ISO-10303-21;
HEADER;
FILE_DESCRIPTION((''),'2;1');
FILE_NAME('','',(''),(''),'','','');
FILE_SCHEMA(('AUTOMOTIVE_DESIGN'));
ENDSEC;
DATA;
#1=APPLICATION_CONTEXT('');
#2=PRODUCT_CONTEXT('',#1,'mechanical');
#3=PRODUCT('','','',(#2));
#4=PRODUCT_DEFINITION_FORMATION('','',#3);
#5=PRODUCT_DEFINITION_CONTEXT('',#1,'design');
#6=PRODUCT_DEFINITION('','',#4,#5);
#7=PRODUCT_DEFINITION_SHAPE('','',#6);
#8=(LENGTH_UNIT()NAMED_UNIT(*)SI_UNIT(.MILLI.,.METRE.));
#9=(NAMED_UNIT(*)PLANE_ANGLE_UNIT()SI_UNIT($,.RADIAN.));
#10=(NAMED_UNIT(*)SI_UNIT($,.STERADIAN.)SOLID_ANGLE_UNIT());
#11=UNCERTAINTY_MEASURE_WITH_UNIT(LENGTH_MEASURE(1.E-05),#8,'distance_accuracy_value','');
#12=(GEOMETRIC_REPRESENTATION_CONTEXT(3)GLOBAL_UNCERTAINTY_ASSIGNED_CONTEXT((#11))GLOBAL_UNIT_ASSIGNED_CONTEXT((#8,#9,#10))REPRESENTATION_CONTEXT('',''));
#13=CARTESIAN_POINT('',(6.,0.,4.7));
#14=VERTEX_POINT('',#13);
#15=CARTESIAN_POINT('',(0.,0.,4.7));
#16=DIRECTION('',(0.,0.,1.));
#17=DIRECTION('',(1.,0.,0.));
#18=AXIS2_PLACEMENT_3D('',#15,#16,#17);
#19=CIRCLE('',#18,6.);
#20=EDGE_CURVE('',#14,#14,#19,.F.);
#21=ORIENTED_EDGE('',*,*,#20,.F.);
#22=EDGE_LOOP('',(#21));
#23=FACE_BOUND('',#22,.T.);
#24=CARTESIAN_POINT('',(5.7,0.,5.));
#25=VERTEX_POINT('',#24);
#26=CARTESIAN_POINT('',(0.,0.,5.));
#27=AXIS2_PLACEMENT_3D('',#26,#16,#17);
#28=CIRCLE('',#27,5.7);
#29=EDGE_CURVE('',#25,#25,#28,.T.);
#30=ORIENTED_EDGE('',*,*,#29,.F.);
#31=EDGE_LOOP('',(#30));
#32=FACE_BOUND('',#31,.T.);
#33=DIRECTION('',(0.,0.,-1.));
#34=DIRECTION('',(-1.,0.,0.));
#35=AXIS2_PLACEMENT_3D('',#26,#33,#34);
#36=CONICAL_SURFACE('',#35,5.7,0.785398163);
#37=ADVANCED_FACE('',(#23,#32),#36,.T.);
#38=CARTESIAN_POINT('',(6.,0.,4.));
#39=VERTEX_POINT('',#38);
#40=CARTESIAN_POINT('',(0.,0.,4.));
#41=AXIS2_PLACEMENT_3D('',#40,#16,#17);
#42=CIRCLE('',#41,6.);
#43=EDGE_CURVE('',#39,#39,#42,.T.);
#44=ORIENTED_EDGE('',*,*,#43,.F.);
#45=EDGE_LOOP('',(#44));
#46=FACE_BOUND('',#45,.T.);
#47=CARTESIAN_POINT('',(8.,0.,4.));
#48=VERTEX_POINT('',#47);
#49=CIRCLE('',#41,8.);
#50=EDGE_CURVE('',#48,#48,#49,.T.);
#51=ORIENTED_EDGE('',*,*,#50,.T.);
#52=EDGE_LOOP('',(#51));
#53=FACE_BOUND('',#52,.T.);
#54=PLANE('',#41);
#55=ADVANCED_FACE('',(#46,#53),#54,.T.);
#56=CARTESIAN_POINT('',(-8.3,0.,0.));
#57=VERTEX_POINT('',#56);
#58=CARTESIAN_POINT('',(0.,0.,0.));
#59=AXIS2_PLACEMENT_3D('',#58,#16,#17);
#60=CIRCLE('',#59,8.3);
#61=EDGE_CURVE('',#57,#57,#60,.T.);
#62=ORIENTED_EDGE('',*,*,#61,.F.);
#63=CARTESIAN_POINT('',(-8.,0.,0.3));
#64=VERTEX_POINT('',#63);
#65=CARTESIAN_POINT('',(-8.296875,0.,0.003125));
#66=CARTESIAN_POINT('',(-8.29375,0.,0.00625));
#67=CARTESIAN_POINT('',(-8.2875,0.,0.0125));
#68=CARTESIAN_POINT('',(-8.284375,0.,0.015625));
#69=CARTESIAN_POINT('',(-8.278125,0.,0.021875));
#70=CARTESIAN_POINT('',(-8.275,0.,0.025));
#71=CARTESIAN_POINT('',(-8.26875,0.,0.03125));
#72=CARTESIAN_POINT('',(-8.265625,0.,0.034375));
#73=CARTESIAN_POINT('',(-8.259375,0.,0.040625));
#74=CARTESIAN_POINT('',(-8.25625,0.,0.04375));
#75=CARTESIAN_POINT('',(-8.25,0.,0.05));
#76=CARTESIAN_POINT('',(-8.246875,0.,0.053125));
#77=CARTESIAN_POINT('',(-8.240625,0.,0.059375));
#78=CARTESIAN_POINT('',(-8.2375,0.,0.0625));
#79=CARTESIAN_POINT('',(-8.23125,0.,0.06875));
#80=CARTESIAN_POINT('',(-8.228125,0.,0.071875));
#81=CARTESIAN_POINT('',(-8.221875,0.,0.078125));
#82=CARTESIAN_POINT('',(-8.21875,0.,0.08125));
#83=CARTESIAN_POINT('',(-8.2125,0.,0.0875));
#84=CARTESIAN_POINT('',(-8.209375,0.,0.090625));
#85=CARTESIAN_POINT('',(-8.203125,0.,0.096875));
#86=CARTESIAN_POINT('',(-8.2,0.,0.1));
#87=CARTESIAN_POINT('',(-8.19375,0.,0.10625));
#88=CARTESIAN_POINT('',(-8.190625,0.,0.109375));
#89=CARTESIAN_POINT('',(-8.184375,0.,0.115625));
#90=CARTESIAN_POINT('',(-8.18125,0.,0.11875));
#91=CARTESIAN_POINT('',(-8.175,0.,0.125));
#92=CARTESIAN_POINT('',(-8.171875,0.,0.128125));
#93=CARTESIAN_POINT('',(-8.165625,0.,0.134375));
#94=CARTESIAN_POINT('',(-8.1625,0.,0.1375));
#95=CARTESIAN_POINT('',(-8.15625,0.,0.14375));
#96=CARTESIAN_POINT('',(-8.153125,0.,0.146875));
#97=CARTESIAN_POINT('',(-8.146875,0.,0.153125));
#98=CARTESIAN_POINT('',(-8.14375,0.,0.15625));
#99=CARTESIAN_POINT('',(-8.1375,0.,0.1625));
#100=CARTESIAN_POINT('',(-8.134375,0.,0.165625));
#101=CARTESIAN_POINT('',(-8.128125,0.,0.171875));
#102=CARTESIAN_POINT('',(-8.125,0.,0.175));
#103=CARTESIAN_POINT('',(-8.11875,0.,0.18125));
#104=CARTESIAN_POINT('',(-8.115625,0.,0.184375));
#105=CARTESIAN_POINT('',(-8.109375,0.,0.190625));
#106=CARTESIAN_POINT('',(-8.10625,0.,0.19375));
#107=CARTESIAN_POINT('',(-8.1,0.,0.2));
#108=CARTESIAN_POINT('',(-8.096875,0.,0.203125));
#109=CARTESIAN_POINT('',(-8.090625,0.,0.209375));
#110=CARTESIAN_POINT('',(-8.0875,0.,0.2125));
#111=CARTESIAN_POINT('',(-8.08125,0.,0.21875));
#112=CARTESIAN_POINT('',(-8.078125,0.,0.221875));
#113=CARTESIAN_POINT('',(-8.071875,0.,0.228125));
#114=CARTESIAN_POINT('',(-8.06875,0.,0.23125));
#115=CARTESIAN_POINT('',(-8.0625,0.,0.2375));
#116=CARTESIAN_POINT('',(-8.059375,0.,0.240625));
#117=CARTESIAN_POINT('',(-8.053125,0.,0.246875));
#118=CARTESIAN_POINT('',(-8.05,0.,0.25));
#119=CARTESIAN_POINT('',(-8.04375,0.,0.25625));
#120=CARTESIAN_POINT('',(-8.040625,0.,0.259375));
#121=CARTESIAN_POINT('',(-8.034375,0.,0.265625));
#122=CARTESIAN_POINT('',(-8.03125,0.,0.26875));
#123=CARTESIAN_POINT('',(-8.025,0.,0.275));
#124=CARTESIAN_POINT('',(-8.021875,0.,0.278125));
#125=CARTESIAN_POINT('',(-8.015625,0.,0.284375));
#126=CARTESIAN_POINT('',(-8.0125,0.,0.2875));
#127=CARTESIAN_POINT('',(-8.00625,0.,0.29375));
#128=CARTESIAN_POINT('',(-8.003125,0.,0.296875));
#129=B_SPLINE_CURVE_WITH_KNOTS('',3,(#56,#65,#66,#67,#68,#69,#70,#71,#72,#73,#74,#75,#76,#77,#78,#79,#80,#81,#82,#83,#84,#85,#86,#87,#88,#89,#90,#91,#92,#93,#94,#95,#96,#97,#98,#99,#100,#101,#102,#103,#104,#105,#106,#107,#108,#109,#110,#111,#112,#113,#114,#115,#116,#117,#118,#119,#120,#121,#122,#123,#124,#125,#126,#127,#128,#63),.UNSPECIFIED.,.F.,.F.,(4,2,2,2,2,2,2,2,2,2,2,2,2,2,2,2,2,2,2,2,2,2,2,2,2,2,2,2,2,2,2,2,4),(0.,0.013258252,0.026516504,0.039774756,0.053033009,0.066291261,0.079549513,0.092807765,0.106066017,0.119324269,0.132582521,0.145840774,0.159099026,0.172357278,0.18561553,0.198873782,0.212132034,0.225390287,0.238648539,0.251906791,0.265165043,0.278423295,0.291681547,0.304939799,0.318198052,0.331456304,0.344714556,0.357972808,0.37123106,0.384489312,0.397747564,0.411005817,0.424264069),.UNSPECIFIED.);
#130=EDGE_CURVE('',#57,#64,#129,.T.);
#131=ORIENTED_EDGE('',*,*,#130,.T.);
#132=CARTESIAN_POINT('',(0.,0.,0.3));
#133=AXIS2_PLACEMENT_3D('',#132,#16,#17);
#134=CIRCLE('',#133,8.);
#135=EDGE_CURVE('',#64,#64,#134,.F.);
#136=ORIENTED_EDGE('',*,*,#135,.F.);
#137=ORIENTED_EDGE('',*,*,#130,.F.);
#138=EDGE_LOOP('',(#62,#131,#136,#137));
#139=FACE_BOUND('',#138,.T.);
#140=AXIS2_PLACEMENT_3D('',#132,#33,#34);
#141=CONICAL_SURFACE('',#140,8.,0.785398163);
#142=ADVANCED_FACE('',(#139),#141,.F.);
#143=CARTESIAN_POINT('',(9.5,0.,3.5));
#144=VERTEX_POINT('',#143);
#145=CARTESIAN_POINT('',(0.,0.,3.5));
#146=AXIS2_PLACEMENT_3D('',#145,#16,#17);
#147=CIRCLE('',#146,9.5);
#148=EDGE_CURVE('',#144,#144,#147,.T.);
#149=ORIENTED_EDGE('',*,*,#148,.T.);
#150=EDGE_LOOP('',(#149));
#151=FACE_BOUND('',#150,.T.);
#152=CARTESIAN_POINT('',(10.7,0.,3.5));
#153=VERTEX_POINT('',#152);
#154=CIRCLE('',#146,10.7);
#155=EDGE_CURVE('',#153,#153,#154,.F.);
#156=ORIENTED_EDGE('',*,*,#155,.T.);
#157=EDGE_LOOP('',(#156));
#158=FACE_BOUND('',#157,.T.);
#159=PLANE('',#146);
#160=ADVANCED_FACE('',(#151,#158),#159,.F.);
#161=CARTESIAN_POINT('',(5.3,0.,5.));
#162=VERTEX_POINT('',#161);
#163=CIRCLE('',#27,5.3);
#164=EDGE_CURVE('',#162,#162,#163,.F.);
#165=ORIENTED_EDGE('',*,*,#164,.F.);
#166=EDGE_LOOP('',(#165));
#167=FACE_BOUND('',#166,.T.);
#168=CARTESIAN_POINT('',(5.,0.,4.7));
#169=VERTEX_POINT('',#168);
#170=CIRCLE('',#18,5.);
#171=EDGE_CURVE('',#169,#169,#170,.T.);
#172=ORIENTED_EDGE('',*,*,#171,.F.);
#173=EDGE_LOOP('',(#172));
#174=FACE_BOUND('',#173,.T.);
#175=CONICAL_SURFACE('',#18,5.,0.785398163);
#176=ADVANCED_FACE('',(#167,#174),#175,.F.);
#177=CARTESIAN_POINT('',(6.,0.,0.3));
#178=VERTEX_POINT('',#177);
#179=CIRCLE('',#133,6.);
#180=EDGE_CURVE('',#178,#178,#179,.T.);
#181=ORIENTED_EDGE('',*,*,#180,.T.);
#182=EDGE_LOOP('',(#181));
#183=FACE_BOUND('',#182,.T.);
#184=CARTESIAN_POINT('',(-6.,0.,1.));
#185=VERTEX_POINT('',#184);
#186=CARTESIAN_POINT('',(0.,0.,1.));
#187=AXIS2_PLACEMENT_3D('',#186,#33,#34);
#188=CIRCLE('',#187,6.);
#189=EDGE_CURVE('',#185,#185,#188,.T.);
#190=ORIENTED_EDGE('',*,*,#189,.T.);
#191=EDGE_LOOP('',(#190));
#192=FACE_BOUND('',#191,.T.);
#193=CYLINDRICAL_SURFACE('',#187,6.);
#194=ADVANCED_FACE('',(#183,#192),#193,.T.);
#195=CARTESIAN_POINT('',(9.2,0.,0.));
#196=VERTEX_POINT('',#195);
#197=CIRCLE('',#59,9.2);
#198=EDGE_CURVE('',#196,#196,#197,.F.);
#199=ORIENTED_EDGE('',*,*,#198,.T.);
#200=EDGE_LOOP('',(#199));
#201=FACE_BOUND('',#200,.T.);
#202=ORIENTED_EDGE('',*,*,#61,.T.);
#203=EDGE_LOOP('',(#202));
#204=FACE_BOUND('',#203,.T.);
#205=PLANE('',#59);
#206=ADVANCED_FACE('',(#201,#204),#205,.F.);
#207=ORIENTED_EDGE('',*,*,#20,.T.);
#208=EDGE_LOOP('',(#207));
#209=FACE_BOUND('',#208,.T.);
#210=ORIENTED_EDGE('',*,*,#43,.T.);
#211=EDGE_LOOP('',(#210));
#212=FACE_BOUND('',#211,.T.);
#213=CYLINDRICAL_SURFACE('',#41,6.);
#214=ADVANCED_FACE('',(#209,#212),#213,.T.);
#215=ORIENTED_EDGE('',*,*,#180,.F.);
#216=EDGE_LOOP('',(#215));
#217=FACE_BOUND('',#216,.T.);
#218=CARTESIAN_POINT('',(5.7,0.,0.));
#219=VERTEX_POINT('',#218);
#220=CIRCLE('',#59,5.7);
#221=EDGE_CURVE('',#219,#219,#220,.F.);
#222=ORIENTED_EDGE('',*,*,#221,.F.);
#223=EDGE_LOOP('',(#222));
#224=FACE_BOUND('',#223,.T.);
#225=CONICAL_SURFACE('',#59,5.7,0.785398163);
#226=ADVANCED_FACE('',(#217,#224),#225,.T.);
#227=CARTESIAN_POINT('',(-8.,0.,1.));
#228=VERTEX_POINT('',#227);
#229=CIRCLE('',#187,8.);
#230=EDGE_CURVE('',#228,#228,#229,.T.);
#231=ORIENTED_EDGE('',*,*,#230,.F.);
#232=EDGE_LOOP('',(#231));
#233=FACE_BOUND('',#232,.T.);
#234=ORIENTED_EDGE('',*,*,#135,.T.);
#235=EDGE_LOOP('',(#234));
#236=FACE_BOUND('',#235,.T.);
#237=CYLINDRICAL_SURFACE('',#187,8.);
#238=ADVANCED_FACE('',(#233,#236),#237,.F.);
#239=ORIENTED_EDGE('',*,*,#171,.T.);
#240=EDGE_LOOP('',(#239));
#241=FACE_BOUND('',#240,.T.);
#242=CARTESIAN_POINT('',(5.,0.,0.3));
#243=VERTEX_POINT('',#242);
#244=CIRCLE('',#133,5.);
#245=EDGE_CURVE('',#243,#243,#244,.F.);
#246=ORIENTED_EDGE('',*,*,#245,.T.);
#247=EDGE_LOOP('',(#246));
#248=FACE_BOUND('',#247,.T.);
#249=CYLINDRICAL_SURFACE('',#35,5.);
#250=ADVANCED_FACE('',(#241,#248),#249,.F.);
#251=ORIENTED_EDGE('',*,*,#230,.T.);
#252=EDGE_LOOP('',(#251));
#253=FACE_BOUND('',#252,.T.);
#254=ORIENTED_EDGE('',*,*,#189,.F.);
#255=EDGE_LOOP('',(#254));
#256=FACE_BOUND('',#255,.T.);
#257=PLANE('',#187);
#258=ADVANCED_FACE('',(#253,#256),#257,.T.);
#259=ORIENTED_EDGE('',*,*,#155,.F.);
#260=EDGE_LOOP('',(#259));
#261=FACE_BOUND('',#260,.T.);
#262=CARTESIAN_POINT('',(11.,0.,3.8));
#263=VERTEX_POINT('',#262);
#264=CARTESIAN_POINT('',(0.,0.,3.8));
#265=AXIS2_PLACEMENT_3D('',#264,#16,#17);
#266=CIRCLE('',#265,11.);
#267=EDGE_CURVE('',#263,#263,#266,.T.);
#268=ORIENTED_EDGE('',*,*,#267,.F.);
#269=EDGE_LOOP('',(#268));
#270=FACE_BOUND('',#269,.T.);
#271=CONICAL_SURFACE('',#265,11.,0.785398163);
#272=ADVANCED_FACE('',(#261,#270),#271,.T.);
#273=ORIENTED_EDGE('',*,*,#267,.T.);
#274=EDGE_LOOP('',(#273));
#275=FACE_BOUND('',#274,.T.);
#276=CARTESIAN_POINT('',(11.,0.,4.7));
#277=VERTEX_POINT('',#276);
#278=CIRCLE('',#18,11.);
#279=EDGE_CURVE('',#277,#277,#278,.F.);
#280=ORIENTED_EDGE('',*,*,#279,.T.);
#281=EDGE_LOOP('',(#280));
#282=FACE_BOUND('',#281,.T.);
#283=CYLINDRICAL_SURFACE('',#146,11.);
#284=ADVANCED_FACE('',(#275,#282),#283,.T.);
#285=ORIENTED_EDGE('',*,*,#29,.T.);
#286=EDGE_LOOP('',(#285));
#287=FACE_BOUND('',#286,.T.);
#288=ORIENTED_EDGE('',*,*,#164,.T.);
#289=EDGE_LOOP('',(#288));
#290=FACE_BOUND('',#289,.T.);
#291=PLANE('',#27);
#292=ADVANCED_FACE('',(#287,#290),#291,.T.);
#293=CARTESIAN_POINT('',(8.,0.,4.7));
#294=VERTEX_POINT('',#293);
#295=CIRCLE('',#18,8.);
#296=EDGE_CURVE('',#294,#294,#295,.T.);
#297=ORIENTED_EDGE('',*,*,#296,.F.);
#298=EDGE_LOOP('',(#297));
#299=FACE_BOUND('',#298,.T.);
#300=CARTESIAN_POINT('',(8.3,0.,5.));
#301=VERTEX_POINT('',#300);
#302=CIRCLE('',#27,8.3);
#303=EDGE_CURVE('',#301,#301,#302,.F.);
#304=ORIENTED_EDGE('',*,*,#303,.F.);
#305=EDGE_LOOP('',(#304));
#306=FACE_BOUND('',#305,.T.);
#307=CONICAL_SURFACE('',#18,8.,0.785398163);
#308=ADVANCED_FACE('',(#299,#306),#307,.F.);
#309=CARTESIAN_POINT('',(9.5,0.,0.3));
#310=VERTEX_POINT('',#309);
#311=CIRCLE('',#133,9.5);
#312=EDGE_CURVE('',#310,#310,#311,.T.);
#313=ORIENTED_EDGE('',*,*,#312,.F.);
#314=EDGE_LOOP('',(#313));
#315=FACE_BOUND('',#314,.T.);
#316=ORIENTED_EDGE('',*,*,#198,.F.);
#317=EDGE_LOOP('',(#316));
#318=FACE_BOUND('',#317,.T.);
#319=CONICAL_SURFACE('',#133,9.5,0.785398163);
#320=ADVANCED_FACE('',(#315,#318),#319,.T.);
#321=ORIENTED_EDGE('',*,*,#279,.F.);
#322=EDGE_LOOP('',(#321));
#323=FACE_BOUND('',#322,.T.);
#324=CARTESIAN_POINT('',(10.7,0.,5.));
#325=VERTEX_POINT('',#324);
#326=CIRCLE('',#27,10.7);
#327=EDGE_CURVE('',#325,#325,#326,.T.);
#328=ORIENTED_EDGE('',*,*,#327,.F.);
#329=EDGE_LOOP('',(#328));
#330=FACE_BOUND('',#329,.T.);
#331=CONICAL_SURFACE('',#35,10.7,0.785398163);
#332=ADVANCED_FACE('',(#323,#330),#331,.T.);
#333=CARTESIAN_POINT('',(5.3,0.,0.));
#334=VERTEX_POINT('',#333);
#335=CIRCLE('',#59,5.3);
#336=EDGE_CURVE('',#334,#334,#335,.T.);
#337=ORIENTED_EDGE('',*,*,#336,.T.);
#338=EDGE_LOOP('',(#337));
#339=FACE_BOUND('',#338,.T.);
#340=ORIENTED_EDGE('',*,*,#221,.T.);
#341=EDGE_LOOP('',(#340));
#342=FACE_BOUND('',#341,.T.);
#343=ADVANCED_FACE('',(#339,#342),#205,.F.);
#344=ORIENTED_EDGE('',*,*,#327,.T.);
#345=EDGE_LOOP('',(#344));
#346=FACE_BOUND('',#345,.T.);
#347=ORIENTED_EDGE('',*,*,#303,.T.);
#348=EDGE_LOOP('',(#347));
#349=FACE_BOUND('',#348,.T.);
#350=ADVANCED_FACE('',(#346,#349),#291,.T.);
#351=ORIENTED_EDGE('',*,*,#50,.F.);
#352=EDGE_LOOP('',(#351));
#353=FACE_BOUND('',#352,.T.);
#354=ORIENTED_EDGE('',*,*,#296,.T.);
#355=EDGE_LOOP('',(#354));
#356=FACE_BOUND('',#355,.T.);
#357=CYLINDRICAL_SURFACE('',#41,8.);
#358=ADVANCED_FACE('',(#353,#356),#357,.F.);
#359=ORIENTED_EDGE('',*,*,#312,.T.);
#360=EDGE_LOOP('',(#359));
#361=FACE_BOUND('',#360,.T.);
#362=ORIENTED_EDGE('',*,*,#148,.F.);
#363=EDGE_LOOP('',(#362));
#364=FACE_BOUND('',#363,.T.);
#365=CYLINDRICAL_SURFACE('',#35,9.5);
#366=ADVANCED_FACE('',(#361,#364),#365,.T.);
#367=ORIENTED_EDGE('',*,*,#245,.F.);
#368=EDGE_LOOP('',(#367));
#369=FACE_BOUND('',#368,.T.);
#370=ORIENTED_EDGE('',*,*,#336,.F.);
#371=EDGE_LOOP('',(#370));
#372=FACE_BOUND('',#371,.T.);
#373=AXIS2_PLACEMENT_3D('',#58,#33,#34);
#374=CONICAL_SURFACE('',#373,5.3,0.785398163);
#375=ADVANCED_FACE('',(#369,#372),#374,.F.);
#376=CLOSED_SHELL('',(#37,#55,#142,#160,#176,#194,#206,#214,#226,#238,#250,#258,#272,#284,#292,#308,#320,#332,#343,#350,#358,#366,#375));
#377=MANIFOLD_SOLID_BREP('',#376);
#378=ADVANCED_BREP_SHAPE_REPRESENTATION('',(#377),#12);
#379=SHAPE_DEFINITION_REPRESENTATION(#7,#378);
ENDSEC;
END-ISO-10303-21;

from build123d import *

# Parameters (mm, degrees)
SKETCH_1_R          = 9.5
SKETCH_1_R_2        = 5
EXTRUDE_1_DEPTH     = 5
EXTRUDE_START       = -1.5
SKETCH_2_R          = 11
SKETCH_2_R_2        = 9.5
EXTRUDE_2_DEPTH     = 1.5
SKETCH_3_R          = 8
SKETCH_3_R_2        = 6
CUT_EXTRUDE_1_DEPTH = 1
CUT_EXTRUDE_START   = -1
SKETCH_4_R          = 8
SKETCH_4_R_2        = 6
CUT_EXTRUDE_2_DEPTH = 1
CHAMFER_1_SIZE      = 0.3


with BuildPart() as part:
    # Эскиз1 → Бобышка-Вытянуть1 (new body)
    with BuildSketch(Plane.XY):
        Circle(SKETCH_1_R)
        Circle(SKETCH_1_R_2, mode=Mode.SUBTRACT)
    extrude(amount=EXTRUDE_1_DEPTH)

    # Эскиз2 → Бобышка-Вытянуть2 (add)
    with BuildSketch(Plane.XY.offset(5).offset(EXTRUDE_START)):
        Circle(SKETCH_2_R)
        Circle(SKETCH_2_R_2, mode=Mode.SUBTRACT)
    extrude(amount=EXTRUDE_2_DEPTH)

    # Эскиз3 → Вырез-Вытянуть1 (cut)
    with BuildSketch(Plane(origin=(0, 0, 0), x_dir=(-1, 0, 0), z_dir=(0, 0, -1))):
        Circle(SKETCH_3_R)
        Circle(SKETCH_3_R_2, mode=Mode.SUBTRACT)
    extrude(amount=-CUT_EXTRUDE_1_DEPTH, mode=Mode.SUBTRACT)

    # Эскиз4 → Вырез-Вытянуть2 (cut)
    with BuildSketch(Plane.XY.offset(5).offset(CUT_EXTRUDE_START)):
        with Locations(Location((0, 0, 0), (0, 0, 180))):
            Circle(SKETCH_4_R)
        with Locations(Location((0, 0, 0), (0, 0, 180))):
            Circle(SKETCH_4_R_2, mode=Mode.SUBTRACT)
    extrude(amount=CUT_EXTRUDE_2_DEPTH, mode=Mode.SUBTRACT)

    # Фаска1
    chamfer_1_edges = [part.edges().sort_by_distance(p)[0] for p in [
        (-11, 0, 3.5),
        (-11, 0, 5),
        (8, 0, 0),
        (6, 0, 0),
        (-9.5, 0, 0),
        (8, 0, 5),
        (6, 0, 5),
        (-5, 0, 0),
        (-5, 0, 5),
    ]]
    chamfer(chamfer_1_edges, length=CHAMFER_1_SIZE)


solid = part.part
